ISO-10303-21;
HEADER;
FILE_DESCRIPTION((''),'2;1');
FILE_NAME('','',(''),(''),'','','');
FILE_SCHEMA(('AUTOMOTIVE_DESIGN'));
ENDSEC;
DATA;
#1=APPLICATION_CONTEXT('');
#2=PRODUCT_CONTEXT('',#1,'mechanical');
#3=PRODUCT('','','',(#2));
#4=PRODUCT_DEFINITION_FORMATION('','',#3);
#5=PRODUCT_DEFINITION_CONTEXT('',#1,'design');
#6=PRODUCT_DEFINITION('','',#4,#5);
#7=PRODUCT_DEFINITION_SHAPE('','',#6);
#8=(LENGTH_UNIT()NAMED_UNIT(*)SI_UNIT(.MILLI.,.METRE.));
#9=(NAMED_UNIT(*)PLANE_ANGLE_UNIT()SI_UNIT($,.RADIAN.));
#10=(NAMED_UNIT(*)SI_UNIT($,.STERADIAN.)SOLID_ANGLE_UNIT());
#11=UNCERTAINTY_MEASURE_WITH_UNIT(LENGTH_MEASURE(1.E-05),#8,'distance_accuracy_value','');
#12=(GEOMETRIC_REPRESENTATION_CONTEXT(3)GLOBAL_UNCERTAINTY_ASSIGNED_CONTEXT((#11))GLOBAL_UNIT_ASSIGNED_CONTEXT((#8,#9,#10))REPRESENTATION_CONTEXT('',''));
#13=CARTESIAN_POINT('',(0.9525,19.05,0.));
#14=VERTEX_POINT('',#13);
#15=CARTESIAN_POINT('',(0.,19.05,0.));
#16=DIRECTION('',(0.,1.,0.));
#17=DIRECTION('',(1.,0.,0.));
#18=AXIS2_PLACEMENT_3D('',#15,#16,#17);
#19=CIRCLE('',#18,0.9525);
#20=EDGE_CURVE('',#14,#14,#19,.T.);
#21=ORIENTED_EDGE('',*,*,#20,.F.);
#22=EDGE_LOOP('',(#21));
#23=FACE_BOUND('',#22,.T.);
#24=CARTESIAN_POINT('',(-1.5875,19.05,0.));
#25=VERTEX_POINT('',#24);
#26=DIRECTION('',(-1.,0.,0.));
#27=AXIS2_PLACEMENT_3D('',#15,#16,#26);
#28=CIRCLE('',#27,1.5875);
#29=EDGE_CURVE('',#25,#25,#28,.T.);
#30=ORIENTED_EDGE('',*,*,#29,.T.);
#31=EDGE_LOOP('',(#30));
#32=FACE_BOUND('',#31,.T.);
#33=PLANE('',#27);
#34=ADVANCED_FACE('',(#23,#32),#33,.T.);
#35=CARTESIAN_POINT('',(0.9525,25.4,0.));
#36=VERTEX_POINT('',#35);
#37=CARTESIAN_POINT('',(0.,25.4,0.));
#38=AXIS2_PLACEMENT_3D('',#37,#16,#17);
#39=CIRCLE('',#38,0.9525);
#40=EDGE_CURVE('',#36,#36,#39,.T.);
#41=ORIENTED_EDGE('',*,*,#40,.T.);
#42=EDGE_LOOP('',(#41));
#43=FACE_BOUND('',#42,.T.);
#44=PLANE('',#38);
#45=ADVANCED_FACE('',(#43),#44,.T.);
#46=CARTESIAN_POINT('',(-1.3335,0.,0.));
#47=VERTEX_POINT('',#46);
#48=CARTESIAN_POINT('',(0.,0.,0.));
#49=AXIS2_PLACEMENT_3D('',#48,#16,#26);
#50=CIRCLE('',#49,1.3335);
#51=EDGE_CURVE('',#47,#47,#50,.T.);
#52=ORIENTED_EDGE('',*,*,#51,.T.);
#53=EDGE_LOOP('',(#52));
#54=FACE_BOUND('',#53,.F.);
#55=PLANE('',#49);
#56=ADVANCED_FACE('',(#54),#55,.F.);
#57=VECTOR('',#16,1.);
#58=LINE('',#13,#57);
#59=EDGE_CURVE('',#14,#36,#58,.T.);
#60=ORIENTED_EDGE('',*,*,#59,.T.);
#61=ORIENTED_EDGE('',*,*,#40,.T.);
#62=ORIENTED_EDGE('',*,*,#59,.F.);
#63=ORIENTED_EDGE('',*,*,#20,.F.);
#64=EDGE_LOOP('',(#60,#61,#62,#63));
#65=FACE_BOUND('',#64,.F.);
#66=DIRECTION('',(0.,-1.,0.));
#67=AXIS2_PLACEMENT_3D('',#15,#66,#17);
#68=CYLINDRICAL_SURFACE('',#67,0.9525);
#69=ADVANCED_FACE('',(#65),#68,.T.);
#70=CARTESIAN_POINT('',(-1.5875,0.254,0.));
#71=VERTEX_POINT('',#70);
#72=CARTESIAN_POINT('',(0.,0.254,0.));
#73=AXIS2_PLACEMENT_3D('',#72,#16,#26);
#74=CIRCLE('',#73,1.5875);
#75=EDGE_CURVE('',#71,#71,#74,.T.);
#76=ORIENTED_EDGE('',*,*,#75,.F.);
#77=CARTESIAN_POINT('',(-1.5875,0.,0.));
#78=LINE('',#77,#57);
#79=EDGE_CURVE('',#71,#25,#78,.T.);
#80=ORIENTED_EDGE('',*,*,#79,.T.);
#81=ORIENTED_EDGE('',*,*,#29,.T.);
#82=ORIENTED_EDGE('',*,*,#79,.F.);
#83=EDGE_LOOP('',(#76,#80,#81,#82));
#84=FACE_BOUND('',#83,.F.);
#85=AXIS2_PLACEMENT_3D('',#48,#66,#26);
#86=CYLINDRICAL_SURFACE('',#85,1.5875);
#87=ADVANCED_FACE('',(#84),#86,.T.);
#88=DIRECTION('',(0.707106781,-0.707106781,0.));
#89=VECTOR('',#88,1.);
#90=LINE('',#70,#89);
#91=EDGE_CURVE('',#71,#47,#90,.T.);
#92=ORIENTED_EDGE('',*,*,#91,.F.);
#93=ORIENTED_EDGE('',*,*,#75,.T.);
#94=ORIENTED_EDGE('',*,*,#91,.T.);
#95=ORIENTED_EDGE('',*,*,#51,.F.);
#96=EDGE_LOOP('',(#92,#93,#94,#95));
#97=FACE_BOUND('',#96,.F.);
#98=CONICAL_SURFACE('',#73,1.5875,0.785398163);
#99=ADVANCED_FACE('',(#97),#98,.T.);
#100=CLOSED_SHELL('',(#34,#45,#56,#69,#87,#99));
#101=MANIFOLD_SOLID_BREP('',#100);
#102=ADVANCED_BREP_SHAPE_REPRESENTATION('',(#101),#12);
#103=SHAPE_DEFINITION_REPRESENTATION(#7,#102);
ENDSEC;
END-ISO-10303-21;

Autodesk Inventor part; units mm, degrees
ref_plane "YZ Plane" through (0, 0, 0) normal (1, 0, 0) x (0, 1, 0)
ref_plane "XZ Plane" through (0, 0, 0) normal (0, 1, 0) x (-1, 0, 0)
ref_plane "XY Plane" through (0, 0, 0) normal (0, 0, 1) x (1, 0, 0)
sketch "Sketch1" plane through (0, 0, 0) normal (0, 1, 0) x (-1, 0, 0)
  circle A0 centre (0, 0) radius 1.5875
  dimension "d0" = 3.175
extrude "Extrusion1" add sketch "Sketch1" along normal blind 19.05
chamfer "Chamfer1" distance 0.254 angle 45 1 edges at (1.5875, 0, 0)
sketch "Sketch3" plane through (0, 0, 0) normal (1, 0, 0) x (0, 1, 0)
  point P0 (0, 0)
sketch "Sketch4" plane through (0, 19.05, 0) normal (0, 1, 0) x (1, 0, 0)
  circle A0 centre (0, 0) radius 0.9525
  dimension "d11" = 1.905
extrude "Extrusion3" add sketch "Sketch4" along normal blind 6.35
properties part number "burner_rod_3"
